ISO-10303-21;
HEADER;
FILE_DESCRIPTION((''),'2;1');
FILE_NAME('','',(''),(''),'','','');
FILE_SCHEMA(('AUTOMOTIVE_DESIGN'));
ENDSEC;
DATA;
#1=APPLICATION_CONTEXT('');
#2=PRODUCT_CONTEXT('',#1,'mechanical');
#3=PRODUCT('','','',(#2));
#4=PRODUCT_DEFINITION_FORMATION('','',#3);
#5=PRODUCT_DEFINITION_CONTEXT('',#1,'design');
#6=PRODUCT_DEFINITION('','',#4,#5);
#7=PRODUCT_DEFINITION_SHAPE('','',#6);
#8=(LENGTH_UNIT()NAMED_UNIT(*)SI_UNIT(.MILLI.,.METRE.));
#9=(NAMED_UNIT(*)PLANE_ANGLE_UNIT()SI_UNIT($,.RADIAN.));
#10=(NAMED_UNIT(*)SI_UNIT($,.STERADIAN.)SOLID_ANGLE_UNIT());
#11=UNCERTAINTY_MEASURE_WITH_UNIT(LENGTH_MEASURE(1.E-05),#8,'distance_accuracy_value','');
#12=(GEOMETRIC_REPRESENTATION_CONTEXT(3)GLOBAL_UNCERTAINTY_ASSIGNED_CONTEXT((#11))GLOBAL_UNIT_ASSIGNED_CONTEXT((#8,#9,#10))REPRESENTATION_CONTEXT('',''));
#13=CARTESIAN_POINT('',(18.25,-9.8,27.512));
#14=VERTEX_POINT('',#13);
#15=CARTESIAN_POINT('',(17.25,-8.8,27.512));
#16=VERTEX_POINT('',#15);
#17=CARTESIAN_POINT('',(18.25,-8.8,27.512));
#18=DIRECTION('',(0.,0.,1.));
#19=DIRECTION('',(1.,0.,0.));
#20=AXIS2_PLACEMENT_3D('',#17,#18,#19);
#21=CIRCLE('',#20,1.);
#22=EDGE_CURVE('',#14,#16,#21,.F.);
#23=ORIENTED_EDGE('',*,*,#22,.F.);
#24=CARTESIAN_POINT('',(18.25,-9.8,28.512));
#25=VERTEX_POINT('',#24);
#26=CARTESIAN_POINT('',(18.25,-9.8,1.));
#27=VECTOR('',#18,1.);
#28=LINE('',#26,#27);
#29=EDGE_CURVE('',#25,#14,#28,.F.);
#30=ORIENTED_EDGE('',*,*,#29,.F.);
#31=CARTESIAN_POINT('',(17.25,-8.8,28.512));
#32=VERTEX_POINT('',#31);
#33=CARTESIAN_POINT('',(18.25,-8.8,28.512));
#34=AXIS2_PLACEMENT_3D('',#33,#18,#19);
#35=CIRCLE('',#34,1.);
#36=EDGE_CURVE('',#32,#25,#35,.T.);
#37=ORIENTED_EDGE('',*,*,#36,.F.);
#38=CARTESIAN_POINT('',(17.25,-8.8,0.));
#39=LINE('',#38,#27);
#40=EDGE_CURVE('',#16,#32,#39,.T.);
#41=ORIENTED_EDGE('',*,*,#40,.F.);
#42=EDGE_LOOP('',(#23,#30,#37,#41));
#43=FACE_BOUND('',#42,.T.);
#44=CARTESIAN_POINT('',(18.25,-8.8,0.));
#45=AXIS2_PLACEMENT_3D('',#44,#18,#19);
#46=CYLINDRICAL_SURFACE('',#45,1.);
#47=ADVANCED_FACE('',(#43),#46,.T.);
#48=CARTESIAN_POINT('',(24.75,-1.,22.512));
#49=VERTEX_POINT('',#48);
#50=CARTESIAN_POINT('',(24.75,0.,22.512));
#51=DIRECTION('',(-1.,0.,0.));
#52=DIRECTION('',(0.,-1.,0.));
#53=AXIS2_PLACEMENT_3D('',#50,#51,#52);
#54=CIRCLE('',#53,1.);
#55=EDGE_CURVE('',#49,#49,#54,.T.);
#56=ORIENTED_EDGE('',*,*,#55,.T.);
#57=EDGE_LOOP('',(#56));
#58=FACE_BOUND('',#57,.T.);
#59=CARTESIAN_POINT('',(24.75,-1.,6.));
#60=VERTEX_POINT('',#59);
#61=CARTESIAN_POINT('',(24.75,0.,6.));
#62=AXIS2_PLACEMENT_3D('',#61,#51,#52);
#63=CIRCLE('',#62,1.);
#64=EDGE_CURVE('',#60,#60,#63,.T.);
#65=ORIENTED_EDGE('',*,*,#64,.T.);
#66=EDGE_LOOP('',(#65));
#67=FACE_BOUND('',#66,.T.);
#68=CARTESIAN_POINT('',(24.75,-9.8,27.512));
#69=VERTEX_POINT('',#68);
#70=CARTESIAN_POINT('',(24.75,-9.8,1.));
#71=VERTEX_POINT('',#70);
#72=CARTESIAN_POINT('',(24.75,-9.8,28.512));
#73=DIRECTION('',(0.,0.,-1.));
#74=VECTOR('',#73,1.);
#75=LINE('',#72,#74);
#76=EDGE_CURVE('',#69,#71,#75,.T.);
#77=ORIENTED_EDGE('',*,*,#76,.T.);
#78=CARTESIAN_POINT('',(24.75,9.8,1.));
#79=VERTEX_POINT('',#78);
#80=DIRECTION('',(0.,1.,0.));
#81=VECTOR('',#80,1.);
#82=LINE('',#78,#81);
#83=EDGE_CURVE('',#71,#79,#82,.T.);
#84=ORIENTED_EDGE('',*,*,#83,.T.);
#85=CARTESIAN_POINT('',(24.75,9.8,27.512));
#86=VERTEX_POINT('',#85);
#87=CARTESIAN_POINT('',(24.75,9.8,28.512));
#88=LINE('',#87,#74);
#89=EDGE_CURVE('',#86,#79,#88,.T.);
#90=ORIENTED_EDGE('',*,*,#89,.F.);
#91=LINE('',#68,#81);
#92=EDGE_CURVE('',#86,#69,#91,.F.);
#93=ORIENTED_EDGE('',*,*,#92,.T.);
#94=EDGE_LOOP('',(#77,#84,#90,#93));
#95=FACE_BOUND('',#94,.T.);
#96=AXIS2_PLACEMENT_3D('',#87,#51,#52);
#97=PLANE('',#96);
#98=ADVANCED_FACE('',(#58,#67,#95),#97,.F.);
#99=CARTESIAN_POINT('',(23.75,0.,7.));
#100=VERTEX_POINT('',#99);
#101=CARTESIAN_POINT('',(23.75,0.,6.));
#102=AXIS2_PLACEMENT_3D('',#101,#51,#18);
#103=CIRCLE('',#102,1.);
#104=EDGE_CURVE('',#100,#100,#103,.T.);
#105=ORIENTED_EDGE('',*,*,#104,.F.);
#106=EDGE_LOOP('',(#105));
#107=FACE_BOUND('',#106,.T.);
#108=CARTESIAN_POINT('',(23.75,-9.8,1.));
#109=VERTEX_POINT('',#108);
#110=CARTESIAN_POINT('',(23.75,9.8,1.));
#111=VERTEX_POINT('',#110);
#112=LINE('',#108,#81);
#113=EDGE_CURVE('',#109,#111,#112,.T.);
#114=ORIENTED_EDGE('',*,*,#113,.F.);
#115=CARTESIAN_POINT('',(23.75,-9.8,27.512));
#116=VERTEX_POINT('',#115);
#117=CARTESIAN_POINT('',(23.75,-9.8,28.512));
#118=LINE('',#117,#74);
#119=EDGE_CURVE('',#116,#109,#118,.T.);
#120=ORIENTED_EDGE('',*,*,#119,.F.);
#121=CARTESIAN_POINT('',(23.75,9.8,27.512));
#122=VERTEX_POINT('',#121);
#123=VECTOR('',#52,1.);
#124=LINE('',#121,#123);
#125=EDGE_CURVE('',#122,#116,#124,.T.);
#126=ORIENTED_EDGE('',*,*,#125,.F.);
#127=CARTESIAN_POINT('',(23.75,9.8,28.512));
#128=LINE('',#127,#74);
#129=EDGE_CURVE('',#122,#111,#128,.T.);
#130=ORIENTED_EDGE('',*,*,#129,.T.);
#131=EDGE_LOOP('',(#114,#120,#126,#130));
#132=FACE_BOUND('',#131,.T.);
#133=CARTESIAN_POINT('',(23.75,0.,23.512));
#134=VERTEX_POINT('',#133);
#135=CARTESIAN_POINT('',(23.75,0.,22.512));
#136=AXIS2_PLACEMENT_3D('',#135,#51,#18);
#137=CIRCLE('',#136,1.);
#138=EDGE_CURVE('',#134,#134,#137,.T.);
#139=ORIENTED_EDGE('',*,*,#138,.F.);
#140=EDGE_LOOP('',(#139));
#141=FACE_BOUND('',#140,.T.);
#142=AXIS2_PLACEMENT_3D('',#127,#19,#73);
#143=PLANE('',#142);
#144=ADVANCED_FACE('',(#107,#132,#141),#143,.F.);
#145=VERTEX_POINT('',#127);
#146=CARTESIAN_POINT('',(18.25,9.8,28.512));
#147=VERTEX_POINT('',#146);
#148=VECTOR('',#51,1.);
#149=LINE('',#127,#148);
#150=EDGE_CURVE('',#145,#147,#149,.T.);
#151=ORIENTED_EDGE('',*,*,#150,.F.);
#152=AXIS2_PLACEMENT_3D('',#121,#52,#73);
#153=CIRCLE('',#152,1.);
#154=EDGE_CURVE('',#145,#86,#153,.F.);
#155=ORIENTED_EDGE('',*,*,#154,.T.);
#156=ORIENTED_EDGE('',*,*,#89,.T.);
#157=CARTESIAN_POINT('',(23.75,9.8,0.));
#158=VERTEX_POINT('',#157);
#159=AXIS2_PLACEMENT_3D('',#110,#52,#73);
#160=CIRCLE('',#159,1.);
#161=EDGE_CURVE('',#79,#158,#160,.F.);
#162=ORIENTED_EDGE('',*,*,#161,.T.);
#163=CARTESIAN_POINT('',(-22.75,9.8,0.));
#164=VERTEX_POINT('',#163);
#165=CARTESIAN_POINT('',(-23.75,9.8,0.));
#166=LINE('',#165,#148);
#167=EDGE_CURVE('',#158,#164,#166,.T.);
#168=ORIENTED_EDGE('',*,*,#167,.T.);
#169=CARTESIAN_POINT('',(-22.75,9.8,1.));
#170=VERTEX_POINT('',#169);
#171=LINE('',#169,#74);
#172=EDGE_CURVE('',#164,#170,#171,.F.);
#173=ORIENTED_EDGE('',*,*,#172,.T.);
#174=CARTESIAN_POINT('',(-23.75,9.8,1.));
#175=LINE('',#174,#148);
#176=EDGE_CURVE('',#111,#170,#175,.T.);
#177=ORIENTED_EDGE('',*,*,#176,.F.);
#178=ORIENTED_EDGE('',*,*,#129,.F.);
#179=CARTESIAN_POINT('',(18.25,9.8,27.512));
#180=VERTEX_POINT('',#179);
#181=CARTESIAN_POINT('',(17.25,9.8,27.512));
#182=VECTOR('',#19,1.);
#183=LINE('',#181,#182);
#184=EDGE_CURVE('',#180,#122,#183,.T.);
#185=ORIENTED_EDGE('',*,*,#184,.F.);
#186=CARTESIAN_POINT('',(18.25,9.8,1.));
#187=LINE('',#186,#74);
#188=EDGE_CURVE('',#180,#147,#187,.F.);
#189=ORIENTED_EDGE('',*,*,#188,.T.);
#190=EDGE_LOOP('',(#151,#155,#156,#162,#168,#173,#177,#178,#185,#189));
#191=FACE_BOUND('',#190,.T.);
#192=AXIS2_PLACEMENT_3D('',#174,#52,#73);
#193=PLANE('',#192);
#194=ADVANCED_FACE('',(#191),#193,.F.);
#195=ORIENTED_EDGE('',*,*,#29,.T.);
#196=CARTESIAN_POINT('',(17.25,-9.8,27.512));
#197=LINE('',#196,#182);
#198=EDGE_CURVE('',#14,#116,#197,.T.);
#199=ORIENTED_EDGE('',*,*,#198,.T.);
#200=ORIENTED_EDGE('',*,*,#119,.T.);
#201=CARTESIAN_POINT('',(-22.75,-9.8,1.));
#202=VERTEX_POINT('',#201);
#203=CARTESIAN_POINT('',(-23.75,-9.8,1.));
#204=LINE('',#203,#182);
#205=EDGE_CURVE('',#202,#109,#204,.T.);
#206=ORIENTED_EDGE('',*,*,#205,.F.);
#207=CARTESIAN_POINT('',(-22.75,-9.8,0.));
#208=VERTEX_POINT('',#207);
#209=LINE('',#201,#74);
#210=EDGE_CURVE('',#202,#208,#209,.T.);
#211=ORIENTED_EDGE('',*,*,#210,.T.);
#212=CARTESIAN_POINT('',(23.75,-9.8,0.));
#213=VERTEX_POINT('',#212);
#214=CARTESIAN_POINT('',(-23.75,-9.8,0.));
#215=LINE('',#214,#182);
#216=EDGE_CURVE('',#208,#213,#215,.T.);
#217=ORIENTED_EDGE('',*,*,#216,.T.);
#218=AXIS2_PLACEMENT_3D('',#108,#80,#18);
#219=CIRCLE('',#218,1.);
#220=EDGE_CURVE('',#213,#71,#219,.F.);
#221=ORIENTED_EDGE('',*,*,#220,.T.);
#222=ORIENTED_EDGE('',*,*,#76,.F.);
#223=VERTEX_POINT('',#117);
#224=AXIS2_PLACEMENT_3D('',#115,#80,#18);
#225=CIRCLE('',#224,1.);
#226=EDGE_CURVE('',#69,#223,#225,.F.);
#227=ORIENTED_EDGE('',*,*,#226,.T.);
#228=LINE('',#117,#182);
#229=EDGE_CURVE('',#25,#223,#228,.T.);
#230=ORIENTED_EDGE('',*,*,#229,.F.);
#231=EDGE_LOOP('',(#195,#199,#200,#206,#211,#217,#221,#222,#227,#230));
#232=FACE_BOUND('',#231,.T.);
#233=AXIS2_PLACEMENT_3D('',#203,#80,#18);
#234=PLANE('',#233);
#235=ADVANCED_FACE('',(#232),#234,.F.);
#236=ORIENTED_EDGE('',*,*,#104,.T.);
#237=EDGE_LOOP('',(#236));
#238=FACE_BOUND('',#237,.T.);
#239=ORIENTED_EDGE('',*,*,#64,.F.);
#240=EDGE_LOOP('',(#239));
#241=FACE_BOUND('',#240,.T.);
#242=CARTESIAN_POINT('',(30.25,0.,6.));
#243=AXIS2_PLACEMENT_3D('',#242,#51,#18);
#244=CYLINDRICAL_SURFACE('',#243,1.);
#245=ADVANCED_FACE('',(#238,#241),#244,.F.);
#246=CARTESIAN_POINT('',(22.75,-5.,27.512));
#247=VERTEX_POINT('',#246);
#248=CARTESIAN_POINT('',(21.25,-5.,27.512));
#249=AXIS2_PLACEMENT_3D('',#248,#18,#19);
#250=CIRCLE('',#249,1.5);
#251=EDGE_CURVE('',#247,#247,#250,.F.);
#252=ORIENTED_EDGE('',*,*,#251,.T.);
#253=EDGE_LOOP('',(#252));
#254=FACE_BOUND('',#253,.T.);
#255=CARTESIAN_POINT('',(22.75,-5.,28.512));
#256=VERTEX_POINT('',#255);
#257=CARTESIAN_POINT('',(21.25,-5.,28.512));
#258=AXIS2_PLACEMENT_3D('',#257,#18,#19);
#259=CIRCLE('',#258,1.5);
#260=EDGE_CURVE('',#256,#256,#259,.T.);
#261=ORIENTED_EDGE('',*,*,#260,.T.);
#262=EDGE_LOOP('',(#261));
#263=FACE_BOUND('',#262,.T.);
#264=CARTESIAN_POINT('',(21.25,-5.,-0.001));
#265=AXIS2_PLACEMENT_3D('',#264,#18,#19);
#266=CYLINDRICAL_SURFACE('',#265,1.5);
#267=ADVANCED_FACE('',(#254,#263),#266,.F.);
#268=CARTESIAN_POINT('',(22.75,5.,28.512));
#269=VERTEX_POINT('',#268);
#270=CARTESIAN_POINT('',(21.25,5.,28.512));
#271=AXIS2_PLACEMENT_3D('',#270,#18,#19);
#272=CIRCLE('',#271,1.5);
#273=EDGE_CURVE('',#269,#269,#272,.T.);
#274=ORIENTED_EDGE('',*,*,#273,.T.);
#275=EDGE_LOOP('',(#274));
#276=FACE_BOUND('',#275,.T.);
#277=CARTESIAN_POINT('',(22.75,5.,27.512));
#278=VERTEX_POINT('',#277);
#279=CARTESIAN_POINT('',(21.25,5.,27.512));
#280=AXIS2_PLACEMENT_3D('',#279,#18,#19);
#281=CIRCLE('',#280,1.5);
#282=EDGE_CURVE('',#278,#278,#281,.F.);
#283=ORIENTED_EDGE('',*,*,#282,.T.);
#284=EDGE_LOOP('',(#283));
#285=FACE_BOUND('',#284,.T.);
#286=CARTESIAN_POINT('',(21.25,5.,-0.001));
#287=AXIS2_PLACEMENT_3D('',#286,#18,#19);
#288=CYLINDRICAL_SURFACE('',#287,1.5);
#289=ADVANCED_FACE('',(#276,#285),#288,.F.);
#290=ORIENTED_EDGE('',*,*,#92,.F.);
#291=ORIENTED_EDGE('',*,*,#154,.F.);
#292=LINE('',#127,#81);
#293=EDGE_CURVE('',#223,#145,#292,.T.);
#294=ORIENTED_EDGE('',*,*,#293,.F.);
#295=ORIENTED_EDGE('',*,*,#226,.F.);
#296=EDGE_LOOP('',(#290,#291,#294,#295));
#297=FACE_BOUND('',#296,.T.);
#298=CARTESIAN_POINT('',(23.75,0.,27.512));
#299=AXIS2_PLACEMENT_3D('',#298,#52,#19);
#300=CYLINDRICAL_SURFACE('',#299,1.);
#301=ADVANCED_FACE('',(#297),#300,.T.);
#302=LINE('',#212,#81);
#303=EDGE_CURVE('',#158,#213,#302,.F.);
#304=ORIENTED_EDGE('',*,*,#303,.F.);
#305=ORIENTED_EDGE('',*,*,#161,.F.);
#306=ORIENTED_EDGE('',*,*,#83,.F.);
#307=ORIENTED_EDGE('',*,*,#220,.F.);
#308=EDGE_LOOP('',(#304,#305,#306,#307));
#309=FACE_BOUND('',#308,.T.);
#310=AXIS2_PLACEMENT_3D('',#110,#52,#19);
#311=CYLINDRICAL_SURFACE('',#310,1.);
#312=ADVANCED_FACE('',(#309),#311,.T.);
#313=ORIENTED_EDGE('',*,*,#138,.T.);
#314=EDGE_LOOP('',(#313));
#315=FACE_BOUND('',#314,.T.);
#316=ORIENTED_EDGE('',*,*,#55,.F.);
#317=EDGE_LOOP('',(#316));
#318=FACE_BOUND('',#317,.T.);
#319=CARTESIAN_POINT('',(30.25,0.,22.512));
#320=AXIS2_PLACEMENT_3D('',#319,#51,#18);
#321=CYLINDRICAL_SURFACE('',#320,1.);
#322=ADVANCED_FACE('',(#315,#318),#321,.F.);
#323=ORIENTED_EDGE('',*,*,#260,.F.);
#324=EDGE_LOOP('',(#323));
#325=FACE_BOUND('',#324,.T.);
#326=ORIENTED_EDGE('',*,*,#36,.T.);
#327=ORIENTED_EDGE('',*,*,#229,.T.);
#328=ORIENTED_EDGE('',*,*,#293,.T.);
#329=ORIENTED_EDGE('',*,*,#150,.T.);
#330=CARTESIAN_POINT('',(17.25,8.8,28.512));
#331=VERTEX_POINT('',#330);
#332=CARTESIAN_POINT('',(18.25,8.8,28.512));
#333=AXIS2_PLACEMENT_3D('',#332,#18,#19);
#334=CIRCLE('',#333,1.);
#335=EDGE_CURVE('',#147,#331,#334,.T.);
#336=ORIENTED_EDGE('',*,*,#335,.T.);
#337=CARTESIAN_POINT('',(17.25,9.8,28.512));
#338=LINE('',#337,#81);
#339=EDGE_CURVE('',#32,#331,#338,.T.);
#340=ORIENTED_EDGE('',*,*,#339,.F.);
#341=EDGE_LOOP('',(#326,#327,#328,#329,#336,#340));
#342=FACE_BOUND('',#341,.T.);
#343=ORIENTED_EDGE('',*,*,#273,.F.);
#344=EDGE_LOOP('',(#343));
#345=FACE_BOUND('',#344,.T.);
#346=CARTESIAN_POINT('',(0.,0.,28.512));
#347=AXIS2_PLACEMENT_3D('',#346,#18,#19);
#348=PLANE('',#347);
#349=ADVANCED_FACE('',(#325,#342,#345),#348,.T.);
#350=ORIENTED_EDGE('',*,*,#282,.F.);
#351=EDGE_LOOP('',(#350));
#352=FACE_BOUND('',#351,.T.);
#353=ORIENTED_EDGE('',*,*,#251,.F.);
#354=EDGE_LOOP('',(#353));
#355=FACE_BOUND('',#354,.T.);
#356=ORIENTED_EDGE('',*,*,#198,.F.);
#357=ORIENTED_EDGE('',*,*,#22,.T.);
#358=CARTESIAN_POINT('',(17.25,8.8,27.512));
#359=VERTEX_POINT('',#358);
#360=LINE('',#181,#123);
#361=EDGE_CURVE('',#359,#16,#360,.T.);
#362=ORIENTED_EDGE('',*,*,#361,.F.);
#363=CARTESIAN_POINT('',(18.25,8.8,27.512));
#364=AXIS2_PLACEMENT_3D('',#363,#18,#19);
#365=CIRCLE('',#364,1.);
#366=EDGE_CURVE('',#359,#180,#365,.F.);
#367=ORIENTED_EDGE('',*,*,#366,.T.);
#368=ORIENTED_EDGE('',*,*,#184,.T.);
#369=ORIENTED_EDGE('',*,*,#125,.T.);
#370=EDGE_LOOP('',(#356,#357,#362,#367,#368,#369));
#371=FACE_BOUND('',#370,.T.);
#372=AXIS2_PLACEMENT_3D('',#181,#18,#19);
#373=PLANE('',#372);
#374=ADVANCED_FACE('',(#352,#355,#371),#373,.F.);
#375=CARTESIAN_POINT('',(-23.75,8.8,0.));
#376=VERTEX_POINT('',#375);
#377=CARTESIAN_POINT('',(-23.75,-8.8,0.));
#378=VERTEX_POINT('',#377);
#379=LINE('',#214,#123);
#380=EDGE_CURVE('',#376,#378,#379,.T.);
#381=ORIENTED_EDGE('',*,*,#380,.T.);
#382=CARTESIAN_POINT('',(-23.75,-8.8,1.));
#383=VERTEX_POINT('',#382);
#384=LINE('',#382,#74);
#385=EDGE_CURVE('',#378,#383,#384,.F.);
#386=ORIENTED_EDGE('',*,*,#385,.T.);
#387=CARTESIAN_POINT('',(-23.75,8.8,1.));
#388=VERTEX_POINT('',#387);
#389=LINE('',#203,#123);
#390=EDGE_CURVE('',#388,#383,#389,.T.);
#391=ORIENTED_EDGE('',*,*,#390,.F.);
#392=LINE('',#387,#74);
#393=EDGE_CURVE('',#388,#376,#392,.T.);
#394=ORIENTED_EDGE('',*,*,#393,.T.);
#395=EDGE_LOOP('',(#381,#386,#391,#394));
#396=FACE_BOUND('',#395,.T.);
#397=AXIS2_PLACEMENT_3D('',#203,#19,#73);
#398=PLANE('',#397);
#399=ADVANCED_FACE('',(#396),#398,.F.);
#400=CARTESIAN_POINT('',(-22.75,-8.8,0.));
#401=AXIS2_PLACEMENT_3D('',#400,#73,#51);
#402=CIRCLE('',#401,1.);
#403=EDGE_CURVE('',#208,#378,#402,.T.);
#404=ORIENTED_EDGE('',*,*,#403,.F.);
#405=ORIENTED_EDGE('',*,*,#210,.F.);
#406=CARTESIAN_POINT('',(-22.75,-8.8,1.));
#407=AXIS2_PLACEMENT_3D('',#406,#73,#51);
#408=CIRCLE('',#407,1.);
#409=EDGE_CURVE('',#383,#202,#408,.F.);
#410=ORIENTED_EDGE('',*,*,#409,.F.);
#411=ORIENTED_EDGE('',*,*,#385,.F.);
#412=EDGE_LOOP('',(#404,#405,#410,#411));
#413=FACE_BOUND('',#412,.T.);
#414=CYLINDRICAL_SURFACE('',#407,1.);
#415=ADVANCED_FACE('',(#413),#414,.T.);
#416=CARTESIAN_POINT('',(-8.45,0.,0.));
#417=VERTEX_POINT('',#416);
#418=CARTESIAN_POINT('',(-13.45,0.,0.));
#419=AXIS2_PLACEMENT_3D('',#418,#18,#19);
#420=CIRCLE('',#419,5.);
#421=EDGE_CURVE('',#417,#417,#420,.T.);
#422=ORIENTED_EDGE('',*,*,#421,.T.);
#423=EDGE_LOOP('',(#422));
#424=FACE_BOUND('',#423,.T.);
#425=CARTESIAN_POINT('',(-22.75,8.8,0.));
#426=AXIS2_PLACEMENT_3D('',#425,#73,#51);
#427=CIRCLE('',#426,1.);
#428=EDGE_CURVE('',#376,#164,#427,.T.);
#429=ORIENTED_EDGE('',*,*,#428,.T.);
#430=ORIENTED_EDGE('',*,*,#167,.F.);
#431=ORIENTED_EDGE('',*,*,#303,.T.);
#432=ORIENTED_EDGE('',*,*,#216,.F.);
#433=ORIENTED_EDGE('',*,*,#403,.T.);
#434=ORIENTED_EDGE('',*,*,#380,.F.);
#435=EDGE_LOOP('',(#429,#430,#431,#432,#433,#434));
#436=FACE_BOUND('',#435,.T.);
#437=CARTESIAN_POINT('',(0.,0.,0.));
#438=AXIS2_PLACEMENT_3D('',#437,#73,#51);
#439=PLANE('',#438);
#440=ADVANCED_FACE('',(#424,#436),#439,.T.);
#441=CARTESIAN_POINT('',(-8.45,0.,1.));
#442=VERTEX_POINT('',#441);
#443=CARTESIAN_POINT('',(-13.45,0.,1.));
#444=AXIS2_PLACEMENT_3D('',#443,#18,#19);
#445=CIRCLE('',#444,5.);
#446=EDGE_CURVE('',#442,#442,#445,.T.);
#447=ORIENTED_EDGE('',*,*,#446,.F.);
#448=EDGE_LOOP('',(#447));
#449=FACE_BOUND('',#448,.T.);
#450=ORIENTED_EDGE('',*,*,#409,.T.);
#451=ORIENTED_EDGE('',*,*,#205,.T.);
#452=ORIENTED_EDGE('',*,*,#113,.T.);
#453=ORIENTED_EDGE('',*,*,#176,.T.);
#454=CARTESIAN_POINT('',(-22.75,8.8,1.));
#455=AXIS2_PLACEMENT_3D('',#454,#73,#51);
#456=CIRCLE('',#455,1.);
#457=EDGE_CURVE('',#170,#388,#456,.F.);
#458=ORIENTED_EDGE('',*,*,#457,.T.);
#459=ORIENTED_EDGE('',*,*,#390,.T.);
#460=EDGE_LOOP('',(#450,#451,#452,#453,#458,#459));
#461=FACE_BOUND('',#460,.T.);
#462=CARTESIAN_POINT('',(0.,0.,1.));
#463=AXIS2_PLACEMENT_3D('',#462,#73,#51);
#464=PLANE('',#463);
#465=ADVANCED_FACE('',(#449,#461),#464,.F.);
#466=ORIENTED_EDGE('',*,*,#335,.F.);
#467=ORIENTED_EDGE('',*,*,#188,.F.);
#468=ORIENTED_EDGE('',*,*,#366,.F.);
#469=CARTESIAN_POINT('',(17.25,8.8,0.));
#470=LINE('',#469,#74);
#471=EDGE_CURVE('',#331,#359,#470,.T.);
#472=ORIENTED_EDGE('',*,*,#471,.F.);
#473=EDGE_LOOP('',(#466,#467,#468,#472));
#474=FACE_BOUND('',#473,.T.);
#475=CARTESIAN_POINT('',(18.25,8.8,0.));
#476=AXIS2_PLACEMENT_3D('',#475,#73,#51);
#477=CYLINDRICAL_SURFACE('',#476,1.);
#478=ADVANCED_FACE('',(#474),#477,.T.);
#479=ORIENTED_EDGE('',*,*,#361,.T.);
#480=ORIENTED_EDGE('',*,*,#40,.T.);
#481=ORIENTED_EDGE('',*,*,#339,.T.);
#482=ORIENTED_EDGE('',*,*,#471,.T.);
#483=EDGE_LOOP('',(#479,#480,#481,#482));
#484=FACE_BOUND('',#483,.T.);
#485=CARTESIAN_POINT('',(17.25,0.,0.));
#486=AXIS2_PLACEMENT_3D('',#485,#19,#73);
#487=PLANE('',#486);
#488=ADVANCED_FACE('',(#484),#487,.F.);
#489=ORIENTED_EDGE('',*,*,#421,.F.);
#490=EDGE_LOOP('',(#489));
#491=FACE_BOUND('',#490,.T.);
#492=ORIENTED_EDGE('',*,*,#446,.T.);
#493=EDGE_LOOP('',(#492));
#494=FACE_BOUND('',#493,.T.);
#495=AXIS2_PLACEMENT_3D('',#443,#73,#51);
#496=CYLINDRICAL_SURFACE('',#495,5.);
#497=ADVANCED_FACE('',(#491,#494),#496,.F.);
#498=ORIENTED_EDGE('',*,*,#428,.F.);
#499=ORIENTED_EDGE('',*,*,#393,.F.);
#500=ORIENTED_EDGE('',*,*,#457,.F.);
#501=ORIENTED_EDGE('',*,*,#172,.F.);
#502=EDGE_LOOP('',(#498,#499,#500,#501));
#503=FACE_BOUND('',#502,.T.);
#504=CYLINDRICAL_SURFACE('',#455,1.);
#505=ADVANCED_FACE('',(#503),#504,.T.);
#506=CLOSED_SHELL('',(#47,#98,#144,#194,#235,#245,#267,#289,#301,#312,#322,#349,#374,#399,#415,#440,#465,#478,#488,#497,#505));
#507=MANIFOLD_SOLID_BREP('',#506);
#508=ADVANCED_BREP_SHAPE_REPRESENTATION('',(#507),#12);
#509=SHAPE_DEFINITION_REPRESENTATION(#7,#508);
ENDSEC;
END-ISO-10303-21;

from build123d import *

# Parameters (mm, degrees)
SKETCH1_W           = 47.5
SKETCH1_H           = 19.6
SKETCH1_R           = 5
BOSS_EXTRUDE1_DEPTH = 1
BOSS_EXTRUDE2_START = -1
SKETCH2_W           = 1
SKETCH2_H           = 19.6
BOSS_EXTRUDE2_DEPTH = 28.512
SKETCH3_W           = 1
SKETCH3_H           = 19.6
BOSS_EXTRUDE3_DEPTH = 6.5
CUT_EXTRUDE1_REACH  = 30.512
SKETCH4_R           = 1.5
SKETCH6_R           = 1
CUT_EXTRUDE2_DEPTH  = 6.5
FILLET1_R           = 1


with BuildPart() as part:
    # Sketch1 → Boss-Extrude1 (new body)
    with BuildSketch(Plane.XY):
        Rectangle(SKETCH1_W, SKETCH1_H)
        with Locations((-13.45, 0)):
            Circle(SKETCH1_R, mode=Mode.SUBTRACT)
    extrude(amount=BOSS_EXTRUDE1_DEPTH)

    # Sketch2 → Boss-Extrude2 (add)
    with BuildSketch(Plane.XY.offset(1).offset(BOSS_EXTRUDE2_START)):
        with Locations((24.25, 0)):
            Rectangle(SKETCH2_W, SKETCH2_H)
    extrude(amount=BOSS_EXTRUDE2_DEPTH)

    # Sketch3 → Boss-Extrude3 (add)
    with BuildSketch(Plane.ZY.offset(-23.75)):
        with Locations((28.012, 0)):
            Rectangle(SKETCH3_W, SKETCH3_H)
    extrude(amount=BOSS_EXTRUDE3_DEPTH)

    # Sketch4 → Cut-Extrude1 (cut, up to next)
    with BuildSketch(Plane.XY.offset(28.512), mode=Mode.PRIVATE) as cut_extrude1_sk1:
        with Locations((21.25, 5)):
            Circle(SKETCH4_R)
    cut_extrude1_tool1 = extrude(cut_extrude1_sk1.sketch, amount=-CUT_EXTRUDE1_REACH, mode=Mode.PRIVATE) & part.part
    add(cut_extrude1_tool1.solids().sort_by_distance((21.25, 5, 28.512))[0], mode=Mode.SUBTRACT)
    # Sketch4 → Cut-Extrude1 (cut, up to next)
    with BuildSketch(Plane.XY.offset(28.512), mode=Mode.PRIVATE) as cut_extrude1_sk2:
        with Locations((21.25, -5)):
            Circle(SKETCH4_R)
    cut_extrude1_tool2 = extrude(cut_extrude1_sk2.sketch, amount=-CUT_EXTRUDE1_REACH, mode=Mode.PRIVATE) & part.part
    add(cut_extrude1_tool2.solids().sort_by_distance((21.25, -5, 28.512))[0], mode=Mode.SUBTRACT)

    # Sketch6 → Cut-Extrude2 (cut)
    with BuildSketch(Plane.ZY.offset(-23.75)):
        with Locations((6, 0)):
            Circle(SKETCH6_R)
        with Locations((22.512, 0)):
            Circle(SKETCH6_R)
    extrude(amount=-CUT_EXTRUDE2_DEPTH, mode=Mode.SUBTRACT)

    # Fillet1
    fillet1_edges = [part.edges().sort_by_distance(p)[0] for p in [
        (-23.75, 9.8, 0.5),
        (-23.75, -9.8, 0.5),
        (17.25, -9.8, 28.012),
        (17.25, 9.8, 28.012),
        (24.75, 0, 0),
        (24.75, 0, 28.512),
    ]]
    fillet(fillet1_edges, radius=FILLET1_R)


solid = part.part
